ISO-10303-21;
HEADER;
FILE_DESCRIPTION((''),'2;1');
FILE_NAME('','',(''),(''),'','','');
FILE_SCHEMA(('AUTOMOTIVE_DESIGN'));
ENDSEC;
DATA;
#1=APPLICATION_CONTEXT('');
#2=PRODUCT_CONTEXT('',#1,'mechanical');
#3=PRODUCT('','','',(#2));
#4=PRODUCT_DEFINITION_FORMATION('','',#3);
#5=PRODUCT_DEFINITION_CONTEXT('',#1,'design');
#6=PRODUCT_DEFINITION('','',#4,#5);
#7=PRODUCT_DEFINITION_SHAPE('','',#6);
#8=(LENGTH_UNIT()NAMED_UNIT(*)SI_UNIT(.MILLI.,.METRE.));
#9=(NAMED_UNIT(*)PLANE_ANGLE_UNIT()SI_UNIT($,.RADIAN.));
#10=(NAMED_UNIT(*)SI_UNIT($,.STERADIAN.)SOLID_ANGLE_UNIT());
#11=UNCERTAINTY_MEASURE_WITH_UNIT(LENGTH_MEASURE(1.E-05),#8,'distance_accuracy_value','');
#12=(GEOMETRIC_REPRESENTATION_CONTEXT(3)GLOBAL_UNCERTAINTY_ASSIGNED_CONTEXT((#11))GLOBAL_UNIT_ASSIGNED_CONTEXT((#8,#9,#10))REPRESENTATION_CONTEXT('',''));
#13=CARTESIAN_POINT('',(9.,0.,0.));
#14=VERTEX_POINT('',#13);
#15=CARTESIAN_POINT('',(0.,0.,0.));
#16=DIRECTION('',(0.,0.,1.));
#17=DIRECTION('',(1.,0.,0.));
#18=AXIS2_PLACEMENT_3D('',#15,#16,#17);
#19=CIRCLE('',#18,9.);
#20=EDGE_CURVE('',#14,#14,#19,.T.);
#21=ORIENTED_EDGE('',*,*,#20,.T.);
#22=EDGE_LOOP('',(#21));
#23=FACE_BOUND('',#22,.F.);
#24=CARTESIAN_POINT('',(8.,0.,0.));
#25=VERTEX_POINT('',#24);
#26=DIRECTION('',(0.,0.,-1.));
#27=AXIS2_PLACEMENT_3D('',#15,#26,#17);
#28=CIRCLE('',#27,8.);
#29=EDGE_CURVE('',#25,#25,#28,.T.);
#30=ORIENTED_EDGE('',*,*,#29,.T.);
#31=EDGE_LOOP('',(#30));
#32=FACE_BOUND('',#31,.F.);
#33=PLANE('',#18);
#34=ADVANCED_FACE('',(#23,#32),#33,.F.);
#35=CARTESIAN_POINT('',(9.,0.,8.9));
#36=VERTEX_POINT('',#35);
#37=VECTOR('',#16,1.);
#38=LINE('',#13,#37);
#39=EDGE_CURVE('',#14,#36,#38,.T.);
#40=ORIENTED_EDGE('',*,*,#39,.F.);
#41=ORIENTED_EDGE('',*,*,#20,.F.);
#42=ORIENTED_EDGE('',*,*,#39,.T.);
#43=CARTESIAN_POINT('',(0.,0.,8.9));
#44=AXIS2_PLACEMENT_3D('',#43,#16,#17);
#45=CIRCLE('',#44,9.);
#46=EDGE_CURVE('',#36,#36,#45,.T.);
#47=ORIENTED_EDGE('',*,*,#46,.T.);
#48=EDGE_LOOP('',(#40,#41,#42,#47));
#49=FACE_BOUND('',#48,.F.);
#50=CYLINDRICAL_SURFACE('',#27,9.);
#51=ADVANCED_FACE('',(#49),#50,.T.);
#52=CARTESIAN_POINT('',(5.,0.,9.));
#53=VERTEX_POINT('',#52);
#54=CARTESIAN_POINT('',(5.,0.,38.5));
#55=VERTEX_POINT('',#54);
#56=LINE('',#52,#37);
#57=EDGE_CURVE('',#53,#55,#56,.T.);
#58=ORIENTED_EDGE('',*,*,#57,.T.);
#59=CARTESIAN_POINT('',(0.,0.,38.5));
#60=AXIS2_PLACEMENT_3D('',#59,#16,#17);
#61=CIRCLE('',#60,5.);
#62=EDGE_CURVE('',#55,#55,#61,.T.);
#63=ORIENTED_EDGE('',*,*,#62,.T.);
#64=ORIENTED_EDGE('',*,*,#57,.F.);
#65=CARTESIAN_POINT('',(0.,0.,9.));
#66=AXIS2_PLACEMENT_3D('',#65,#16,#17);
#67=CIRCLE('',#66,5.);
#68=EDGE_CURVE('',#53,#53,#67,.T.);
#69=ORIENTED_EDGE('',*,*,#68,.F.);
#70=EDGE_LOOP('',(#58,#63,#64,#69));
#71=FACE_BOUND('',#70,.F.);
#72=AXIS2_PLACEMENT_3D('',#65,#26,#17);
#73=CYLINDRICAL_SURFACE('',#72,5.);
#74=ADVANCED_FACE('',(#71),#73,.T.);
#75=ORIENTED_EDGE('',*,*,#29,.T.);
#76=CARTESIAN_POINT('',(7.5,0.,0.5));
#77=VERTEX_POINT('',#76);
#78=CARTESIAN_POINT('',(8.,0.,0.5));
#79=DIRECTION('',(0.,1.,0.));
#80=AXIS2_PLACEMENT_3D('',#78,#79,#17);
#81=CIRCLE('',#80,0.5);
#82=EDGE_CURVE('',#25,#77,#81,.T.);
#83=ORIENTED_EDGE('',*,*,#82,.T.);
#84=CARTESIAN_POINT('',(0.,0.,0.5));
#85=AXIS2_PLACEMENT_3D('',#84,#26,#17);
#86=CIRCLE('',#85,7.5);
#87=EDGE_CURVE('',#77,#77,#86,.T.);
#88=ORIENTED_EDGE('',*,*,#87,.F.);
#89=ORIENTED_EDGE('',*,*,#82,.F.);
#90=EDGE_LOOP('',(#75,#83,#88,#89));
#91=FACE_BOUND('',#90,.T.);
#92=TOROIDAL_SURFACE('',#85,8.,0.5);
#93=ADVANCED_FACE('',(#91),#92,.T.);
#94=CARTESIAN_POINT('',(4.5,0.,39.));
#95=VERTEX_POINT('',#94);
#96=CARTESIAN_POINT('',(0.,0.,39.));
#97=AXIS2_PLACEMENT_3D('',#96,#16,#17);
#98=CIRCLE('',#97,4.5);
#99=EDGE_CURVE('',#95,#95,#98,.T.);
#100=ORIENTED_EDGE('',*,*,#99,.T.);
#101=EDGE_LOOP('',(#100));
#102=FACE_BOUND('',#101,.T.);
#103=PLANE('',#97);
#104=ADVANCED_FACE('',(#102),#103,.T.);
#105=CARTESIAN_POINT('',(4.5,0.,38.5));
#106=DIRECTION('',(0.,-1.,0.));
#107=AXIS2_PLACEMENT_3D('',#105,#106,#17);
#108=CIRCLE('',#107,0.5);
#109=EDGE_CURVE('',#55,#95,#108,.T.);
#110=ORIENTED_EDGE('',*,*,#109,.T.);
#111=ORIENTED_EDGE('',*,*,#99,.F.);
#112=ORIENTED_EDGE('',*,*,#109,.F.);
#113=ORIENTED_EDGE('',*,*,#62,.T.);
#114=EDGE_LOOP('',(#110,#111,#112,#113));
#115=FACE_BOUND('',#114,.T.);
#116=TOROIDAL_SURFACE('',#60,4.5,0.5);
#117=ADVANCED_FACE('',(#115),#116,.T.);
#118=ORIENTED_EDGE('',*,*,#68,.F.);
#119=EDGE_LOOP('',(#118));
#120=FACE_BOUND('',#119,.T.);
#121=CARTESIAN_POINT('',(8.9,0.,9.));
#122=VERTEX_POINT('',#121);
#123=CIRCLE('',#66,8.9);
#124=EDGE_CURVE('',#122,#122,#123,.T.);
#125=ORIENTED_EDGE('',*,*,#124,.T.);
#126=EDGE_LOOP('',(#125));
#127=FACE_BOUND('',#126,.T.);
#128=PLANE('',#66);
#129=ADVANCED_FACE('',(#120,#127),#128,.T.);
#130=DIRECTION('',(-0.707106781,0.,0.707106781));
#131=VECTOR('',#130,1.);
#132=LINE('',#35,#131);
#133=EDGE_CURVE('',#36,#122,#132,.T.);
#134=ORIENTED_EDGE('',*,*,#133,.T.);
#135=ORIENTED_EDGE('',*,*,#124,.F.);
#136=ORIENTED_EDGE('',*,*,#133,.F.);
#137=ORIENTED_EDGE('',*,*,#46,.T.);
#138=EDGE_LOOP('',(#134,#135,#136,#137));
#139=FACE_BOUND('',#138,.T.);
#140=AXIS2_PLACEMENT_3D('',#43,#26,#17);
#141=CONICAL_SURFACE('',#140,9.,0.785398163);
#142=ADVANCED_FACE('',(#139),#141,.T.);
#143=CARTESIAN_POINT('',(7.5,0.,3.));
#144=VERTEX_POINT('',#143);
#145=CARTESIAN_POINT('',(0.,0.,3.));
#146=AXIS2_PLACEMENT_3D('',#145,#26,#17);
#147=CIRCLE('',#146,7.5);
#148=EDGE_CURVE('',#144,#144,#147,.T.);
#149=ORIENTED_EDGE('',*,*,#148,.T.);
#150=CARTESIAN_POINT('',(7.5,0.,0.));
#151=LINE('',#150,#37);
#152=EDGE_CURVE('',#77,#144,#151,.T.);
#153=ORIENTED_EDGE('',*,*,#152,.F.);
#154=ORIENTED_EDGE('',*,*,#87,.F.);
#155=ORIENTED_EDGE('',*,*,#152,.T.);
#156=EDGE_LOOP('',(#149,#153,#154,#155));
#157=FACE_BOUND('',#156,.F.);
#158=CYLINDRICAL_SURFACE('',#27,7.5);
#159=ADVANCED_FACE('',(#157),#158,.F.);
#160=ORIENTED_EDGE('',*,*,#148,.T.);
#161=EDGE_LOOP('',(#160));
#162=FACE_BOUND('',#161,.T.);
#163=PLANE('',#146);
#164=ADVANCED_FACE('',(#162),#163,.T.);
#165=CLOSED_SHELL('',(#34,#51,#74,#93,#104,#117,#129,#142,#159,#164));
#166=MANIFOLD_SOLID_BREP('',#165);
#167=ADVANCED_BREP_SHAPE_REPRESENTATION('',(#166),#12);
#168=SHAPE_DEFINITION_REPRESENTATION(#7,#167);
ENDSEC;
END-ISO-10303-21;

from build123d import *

# Parameters (mm, degrees)
F0_R     = 9
F1_DEPTH = 9
F2_R     = 5
F3_DEPTH = 30
F4_R     = 7.5
F5_DEPTH = 3
F6_R     = 0.5
F7_SIZE  = 0.1


with BuildPart() as f1:
    # F0 (on Top) → F1 (new body)
    with BuildSketch(Plane.XY):
        Circle(F0_R)
    extrude(amount=F1_DEPTH)

    # F2 (on face) → F3 (join)
    with BuildSketch(Plane.XY.offset(9)):
        Circle(F2_R)
    extrude(amount=F3_DEPTH)

    # F4 (on face) → F5 (cut)
    with BuildSketch(Plane(origin=(0, 0, 0), x_dir=(1, 0, 0), z_dir=(0, 0, -1))):
        Circle(F4_R)
    extrude(amount=-F5_DEPTH, mode=Mode.SUBTRACT)

    # F6
    f6_edges = [f1.edges().sort_by_distance(p)[0] for p in [
        (-7.5, 0, 0),
        (-5, 0, 39),
    ]]
    fillet(f6_edges, radius=F6_R)

    # F7
    f7_edges = [f1.edges().sort_by_distance(p)[0] for p in [
        (-9, 0, 9),
    ]]
    chamfer(f7_edges, length=F7_SIZE)


solid = f1.part
